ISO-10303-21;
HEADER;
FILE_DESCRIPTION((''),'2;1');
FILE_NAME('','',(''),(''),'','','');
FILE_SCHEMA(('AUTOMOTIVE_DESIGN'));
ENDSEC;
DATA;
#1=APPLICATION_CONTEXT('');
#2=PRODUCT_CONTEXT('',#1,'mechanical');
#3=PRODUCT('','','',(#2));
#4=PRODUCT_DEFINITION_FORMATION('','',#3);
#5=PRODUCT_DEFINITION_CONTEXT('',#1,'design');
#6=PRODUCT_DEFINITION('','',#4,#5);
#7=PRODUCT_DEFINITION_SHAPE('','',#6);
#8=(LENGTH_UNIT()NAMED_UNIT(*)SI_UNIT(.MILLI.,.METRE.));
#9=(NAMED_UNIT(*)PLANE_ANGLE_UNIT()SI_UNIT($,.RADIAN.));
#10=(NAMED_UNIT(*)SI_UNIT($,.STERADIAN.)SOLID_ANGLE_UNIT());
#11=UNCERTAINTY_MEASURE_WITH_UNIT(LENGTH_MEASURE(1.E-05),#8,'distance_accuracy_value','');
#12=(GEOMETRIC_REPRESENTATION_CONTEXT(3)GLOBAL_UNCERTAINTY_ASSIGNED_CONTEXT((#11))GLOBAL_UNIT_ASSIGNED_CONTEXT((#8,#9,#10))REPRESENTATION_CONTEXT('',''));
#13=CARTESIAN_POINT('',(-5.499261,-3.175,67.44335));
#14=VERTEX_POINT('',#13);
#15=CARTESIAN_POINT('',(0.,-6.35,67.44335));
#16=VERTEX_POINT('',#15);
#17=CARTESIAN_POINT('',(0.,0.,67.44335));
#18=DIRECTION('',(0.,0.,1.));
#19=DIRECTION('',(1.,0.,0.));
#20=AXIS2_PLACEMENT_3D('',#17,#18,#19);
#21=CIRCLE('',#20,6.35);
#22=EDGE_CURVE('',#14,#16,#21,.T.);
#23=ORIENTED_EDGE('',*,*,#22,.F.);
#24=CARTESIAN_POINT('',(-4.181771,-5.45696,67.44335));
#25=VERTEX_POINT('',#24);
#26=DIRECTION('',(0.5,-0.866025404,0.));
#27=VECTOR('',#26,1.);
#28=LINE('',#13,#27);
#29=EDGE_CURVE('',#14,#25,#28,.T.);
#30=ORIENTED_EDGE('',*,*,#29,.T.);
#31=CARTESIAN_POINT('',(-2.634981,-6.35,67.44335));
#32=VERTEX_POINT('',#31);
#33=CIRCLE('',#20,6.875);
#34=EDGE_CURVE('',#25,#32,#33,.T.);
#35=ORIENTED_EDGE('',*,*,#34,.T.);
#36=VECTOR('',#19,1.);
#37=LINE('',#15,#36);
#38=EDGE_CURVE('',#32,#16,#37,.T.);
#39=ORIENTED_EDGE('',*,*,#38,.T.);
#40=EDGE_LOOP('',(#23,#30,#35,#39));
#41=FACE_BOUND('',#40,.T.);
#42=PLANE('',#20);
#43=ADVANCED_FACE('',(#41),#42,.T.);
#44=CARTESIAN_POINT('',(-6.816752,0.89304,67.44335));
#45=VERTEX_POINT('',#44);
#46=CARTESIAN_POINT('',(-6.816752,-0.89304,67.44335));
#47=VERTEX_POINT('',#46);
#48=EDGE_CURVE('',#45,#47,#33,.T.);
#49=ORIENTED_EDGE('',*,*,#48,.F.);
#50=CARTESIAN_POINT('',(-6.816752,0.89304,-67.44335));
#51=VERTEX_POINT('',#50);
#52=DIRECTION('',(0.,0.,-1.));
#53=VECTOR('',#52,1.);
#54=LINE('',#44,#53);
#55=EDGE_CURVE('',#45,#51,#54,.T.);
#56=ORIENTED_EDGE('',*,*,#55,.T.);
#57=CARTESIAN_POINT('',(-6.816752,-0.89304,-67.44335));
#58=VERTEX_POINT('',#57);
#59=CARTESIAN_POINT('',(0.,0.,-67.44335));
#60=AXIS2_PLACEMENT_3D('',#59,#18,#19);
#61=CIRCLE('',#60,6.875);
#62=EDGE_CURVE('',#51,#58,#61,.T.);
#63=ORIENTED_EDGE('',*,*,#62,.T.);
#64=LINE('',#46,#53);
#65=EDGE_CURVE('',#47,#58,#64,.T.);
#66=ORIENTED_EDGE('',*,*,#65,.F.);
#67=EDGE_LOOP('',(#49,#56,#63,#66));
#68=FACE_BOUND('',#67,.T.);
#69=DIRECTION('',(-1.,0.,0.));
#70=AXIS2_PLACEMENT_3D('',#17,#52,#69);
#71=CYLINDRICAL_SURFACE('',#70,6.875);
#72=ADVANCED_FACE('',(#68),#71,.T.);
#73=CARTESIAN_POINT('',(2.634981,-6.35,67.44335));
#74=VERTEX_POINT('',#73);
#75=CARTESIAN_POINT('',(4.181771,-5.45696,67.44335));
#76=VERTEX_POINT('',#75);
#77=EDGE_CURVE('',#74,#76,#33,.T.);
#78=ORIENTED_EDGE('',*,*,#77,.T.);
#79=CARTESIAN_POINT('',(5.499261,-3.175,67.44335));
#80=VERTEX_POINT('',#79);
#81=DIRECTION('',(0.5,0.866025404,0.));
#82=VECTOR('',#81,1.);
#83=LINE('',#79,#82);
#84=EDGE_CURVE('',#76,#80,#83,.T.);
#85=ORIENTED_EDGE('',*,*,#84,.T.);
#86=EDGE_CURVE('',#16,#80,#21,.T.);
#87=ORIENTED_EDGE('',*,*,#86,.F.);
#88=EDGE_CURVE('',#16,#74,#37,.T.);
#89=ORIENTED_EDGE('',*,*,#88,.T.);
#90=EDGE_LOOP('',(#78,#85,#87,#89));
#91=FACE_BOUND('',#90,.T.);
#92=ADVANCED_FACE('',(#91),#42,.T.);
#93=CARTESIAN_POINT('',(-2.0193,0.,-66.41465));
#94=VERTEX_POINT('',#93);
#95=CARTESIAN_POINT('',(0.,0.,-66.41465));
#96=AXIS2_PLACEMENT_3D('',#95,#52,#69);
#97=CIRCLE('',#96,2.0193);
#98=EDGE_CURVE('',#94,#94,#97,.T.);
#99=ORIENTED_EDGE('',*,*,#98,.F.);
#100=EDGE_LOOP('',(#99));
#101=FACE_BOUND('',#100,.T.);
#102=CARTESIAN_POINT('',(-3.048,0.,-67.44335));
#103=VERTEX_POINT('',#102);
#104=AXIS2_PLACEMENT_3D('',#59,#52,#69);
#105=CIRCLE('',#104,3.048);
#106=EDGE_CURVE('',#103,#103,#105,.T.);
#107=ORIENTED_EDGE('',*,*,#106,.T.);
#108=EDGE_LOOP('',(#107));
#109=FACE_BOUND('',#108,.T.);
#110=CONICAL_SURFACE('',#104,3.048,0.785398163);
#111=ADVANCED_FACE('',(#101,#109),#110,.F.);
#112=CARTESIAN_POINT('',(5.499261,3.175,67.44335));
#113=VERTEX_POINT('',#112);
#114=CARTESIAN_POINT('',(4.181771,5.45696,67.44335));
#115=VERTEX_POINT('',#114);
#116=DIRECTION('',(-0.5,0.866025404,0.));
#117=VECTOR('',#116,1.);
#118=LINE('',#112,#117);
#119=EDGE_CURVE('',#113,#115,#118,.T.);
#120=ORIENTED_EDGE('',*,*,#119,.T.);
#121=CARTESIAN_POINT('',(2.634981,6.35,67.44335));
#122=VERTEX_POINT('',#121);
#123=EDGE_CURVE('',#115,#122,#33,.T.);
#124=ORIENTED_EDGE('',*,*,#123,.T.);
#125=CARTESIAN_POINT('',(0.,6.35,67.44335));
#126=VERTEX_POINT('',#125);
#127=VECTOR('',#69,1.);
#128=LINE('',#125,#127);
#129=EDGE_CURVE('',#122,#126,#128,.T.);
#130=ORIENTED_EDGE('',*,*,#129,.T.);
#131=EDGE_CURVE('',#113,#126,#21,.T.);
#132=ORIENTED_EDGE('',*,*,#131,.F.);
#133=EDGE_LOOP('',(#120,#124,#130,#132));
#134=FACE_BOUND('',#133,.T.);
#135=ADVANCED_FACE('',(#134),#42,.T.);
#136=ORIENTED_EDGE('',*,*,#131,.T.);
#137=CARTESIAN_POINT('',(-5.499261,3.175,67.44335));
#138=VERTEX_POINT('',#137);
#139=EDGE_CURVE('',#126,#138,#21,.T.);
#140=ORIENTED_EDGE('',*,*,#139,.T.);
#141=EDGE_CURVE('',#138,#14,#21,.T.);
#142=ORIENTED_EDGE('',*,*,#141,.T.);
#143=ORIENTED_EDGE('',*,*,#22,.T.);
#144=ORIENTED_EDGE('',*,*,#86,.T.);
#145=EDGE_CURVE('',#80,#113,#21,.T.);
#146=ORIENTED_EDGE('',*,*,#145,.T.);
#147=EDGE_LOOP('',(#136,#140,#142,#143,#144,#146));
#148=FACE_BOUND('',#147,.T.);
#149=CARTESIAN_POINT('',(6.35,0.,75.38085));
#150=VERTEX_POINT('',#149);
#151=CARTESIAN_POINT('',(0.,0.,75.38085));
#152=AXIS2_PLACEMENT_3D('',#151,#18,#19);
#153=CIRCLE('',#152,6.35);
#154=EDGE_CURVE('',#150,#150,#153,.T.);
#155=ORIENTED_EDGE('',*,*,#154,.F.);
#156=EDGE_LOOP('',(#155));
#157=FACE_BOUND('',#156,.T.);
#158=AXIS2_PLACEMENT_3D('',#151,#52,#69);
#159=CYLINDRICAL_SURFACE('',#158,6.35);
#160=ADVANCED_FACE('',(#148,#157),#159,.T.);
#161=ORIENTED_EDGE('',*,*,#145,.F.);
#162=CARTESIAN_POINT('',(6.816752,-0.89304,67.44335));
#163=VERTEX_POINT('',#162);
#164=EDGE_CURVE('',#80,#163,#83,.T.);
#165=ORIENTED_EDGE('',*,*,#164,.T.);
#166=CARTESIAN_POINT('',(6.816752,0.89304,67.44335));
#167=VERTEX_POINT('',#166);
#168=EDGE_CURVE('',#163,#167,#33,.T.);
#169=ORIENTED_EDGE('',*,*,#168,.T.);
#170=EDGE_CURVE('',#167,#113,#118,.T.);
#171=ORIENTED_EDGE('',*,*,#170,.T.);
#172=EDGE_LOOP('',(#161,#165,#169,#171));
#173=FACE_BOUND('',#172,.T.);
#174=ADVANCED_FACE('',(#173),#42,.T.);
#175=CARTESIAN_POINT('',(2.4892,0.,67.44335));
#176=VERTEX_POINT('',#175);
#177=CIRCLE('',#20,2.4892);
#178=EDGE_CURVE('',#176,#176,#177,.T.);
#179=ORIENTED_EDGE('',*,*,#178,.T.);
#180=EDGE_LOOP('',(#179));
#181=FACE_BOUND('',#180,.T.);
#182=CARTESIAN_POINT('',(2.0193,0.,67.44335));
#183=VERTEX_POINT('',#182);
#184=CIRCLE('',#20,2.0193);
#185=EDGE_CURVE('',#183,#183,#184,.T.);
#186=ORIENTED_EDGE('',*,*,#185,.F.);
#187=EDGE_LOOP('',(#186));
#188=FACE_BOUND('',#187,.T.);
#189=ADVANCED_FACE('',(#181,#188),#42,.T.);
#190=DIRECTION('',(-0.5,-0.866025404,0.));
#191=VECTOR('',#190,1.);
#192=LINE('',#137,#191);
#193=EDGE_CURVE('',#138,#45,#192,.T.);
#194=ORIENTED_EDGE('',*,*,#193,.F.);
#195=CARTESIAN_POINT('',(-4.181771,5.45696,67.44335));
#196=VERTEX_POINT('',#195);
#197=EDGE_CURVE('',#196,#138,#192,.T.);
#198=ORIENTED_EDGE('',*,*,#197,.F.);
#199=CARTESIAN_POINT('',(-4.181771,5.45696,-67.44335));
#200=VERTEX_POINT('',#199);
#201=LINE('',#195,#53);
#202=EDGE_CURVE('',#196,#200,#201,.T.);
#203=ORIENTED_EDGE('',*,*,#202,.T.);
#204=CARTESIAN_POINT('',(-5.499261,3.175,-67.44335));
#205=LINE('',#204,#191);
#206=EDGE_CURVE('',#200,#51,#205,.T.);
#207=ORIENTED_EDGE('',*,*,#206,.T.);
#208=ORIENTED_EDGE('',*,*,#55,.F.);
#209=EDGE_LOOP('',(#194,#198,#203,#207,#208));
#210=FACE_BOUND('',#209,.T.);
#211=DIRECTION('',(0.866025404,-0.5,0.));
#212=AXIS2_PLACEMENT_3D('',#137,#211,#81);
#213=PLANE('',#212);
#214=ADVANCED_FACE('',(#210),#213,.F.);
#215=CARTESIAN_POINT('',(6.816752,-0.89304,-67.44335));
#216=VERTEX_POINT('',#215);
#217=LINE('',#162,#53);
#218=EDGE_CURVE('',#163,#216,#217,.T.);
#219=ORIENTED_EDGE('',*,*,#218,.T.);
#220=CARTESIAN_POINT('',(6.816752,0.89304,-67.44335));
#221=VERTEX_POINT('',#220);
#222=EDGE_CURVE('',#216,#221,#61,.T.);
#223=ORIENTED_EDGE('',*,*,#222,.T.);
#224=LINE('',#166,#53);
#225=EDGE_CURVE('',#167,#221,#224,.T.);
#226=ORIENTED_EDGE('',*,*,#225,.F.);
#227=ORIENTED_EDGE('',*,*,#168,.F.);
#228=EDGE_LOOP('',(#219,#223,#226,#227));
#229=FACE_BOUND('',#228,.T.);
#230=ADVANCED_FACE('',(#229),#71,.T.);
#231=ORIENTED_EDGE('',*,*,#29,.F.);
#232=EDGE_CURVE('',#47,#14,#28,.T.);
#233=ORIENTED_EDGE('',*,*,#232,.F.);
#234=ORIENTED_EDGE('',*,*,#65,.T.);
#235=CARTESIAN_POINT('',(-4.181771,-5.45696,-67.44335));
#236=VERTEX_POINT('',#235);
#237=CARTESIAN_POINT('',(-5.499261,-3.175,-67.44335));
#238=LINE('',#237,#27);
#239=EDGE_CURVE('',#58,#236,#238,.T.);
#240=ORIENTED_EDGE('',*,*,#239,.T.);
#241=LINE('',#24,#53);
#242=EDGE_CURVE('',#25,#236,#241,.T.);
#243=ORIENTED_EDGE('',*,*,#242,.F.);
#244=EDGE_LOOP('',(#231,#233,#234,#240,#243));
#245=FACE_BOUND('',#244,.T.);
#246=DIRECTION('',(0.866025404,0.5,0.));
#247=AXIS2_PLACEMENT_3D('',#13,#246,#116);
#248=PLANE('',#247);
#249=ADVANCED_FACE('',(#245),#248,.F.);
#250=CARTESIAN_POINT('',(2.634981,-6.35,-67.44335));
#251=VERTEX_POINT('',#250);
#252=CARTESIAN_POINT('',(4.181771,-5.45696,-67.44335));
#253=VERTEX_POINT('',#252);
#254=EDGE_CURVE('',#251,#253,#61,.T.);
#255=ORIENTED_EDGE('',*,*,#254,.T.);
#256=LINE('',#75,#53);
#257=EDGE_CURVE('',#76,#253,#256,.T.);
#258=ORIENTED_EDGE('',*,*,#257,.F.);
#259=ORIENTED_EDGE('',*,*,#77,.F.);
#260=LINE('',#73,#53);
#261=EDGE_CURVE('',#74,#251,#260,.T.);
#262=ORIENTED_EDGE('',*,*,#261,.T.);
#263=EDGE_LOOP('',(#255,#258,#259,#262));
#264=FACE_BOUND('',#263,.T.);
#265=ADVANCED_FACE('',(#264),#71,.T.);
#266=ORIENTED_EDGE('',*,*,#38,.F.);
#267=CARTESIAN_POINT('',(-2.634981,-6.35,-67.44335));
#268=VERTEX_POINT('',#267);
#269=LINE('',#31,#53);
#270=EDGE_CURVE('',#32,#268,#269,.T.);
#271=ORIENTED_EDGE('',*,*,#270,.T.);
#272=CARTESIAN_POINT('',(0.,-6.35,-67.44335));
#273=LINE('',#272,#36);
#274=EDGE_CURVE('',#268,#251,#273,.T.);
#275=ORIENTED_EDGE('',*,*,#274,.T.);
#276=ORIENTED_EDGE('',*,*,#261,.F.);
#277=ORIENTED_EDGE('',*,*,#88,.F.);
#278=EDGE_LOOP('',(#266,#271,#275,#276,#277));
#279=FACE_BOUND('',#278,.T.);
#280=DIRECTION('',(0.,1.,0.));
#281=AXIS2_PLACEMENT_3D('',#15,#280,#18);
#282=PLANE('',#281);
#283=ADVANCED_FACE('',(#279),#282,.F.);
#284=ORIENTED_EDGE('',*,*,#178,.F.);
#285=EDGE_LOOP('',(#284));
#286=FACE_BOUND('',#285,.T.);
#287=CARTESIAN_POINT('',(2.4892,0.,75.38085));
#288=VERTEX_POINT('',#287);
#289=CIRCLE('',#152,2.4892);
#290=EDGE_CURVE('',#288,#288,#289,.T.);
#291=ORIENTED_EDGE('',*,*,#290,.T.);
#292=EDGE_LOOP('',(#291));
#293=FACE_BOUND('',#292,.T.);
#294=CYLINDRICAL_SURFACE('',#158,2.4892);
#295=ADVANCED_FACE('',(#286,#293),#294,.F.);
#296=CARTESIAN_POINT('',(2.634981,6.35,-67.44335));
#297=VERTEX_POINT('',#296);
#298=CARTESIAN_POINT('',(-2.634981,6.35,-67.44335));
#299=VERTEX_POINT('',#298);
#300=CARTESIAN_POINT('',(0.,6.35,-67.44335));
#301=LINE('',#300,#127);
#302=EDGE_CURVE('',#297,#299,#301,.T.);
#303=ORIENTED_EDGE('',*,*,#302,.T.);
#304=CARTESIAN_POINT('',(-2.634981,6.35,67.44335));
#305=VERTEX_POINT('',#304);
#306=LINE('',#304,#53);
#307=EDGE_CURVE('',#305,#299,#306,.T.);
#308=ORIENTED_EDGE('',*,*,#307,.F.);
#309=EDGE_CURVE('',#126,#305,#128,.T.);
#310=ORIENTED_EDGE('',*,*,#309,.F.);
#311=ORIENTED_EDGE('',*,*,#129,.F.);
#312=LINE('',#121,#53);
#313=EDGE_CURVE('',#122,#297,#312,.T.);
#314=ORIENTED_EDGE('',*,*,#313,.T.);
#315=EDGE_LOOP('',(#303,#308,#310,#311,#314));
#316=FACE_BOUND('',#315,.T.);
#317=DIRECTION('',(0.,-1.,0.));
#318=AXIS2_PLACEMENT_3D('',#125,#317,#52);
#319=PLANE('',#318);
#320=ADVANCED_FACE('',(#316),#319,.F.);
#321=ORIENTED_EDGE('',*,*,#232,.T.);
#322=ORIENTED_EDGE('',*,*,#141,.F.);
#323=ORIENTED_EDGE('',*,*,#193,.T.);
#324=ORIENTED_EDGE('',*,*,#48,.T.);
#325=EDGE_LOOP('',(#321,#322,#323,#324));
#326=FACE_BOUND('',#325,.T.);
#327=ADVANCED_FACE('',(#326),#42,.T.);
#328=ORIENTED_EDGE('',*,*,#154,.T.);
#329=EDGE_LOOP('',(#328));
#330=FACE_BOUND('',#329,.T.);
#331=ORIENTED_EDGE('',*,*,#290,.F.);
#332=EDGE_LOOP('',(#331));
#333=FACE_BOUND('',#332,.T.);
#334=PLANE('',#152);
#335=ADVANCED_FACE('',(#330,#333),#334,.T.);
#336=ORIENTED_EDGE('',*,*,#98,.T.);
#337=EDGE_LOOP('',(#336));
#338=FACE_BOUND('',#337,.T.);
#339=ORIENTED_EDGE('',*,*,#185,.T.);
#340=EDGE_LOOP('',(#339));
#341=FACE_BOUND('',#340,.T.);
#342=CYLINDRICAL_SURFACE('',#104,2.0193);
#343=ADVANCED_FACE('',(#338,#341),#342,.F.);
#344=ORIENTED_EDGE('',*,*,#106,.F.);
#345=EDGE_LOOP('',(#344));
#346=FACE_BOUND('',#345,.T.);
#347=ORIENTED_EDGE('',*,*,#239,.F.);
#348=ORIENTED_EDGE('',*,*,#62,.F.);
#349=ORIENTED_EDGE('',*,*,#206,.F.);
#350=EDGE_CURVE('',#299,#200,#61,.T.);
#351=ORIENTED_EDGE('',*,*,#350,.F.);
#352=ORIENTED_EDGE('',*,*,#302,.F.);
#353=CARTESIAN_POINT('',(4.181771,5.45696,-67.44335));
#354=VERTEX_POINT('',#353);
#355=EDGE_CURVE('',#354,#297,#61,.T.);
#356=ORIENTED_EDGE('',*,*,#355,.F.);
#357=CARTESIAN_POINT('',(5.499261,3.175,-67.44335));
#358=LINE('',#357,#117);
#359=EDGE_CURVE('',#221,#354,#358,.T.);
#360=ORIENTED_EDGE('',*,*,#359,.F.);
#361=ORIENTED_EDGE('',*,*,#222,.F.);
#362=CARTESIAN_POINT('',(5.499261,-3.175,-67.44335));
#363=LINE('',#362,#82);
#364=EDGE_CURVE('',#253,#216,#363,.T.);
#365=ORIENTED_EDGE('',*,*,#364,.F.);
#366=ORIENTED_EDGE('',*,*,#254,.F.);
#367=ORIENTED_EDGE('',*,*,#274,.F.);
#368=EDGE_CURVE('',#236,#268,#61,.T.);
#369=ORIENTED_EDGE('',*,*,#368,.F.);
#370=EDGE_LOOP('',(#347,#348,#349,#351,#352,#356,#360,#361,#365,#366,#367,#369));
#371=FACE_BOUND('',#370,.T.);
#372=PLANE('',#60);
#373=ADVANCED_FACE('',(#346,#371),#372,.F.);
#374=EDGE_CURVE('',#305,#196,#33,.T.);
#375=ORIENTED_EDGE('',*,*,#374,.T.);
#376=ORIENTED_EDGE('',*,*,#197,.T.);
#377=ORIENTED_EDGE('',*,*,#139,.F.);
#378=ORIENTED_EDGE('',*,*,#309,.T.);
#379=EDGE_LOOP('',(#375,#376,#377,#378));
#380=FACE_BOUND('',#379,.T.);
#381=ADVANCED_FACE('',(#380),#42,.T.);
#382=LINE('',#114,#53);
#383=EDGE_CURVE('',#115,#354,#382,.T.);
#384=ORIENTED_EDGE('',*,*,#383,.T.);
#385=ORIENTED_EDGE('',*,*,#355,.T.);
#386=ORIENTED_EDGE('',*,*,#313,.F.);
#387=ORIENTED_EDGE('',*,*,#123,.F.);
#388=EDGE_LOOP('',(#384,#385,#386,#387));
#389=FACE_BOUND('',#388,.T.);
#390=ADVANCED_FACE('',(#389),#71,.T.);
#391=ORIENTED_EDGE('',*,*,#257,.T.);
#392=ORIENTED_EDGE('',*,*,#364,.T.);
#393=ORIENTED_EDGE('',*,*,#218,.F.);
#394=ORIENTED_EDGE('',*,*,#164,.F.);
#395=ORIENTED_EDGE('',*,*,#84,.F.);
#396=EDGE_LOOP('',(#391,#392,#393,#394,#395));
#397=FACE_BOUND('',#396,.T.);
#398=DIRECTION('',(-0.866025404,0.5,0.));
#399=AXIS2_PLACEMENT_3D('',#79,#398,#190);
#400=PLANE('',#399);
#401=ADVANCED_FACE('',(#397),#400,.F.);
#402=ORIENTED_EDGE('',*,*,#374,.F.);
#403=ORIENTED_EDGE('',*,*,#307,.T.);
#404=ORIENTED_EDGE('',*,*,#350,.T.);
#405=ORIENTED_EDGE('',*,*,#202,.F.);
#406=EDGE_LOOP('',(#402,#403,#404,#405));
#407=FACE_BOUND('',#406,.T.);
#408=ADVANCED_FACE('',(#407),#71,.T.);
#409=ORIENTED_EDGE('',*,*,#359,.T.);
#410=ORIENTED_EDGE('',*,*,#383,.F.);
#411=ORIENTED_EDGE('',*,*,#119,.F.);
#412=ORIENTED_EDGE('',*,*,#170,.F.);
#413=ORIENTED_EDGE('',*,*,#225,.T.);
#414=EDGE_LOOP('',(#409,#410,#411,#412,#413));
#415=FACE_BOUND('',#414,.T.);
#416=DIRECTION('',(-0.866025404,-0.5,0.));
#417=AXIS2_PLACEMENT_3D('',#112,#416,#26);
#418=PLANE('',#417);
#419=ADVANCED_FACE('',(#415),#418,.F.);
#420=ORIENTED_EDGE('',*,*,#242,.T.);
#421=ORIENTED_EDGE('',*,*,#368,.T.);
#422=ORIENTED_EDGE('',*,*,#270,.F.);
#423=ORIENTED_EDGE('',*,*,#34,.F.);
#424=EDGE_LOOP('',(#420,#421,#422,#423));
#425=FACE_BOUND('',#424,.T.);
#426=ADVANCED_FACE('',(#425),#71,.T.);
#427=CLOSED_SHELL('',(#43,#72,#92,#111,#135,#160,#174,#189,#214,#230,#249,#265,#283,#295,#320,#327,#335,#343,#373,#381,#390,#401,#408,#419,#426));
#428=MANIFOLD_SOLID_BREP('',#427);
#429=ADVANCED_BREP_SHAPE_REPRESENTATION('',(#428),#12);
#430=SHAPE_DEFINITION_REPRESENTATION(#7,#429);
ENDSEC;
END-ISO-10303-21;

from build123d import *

# Parameters (mm, degrees)
BOSS_EXTRUDE1_DEPTH              = 67.44335
SKETCH4_R                        = 6.35
SKETCH4_R_2                      = 2.4892
BOSS_EXTRUDE2_DEPTH              = 7.9375
F_10_32_TAPPED_HOLE1_D           = 4.0386
F_10_32_TAPPED_HOLE1_CSINK_D     = 6.096
F_10_32_TAPPED_HOLE1_CSINK_ANGLE = 90


with BuildPart() as part:
    # Sketch1 → Boss-Extrude1 (new, symmetric)
    with BuildSketch(Plane.XY):
        with BuildLine():
            ThreePointArc((4.181770846, 5.456960429), (3.437499983, 5.953924622), (2.634980936, 6.35))
            Line((2.634980936, 6.35), (-2.634980936, 6.35))
            ThreePointArc((-2.634980936, 6.35), (-3.437499983, 5.953924622), (-4.181770846, 5.456960429))
            Line((-4.181770846, 5.456960429), (-6.816751782, 0.893039571))
            ThreePointArc((-6.816751782, 0.893039571), (-6.874999966, 0), (-6.816751782, -0.893039571))
            Line((-6.816751782, -0.893039571), (-4.181770846, -5.456960429))
            ThreePointArc((-4.181770846, -5.456960429), (-3.437499983, -5.953924622), (-2.634980936, -6.35))
            Line((-2.634980936, -6.35), (2.634980936, -6.35))
            ThreePointArc((2.634980936, -6.35), (3.437499983, -5.953924622), (4.181770846, -5.456960429))
            Line((4.181770846, -5.456960429), (6.816751782, -0.893039571))
            ThreePointArc((6.816751782, -0.893039571), (6.860422465, -0.447468582), (6.874999966, 0))
            ThreePointArc((6.874999966, 0), (6.860422465, 0.447468582), (6.816751782, 0.893039571))
            Line((6.816751782, 0.893039571), (4.181770846, 5.456960429))
        make_face()
    extrude(amount=BOSS_EXTRUDE1_DEPTH, both=True)

    # Sketch4 → Boss-Extrude2 (add)
    with BuildSketch(Plane.XY.offset(67.44335)):
        with Locations(Location((0, 0, 0), (0, 0, 150))):
            Circle(SKETCH4_R)
        Circle(SKETCH4_R_2, mode=Mode.SUBTRACT)
    extrude(amount=BOSS_EXTRUDE2_DEPTH)

    # #10-32 Tapped Hole1 (through all)
    with Locations(Plane(origin=(0, 0, -67.44335), x_dir=(-1, 0, 0), z_dir=(0, 0, -1))):
        with Locations((0, 0)):
            CounterSinkHole(F_10_32_TAPPED_HOLE1_D / 2, F_10_32_TAPPED_HOLE1_CSINK_D / 2, counter_sink_angle=F_10_32_TAPPED_HOLE1_CSINK_ANGLE)


solid = part.part
